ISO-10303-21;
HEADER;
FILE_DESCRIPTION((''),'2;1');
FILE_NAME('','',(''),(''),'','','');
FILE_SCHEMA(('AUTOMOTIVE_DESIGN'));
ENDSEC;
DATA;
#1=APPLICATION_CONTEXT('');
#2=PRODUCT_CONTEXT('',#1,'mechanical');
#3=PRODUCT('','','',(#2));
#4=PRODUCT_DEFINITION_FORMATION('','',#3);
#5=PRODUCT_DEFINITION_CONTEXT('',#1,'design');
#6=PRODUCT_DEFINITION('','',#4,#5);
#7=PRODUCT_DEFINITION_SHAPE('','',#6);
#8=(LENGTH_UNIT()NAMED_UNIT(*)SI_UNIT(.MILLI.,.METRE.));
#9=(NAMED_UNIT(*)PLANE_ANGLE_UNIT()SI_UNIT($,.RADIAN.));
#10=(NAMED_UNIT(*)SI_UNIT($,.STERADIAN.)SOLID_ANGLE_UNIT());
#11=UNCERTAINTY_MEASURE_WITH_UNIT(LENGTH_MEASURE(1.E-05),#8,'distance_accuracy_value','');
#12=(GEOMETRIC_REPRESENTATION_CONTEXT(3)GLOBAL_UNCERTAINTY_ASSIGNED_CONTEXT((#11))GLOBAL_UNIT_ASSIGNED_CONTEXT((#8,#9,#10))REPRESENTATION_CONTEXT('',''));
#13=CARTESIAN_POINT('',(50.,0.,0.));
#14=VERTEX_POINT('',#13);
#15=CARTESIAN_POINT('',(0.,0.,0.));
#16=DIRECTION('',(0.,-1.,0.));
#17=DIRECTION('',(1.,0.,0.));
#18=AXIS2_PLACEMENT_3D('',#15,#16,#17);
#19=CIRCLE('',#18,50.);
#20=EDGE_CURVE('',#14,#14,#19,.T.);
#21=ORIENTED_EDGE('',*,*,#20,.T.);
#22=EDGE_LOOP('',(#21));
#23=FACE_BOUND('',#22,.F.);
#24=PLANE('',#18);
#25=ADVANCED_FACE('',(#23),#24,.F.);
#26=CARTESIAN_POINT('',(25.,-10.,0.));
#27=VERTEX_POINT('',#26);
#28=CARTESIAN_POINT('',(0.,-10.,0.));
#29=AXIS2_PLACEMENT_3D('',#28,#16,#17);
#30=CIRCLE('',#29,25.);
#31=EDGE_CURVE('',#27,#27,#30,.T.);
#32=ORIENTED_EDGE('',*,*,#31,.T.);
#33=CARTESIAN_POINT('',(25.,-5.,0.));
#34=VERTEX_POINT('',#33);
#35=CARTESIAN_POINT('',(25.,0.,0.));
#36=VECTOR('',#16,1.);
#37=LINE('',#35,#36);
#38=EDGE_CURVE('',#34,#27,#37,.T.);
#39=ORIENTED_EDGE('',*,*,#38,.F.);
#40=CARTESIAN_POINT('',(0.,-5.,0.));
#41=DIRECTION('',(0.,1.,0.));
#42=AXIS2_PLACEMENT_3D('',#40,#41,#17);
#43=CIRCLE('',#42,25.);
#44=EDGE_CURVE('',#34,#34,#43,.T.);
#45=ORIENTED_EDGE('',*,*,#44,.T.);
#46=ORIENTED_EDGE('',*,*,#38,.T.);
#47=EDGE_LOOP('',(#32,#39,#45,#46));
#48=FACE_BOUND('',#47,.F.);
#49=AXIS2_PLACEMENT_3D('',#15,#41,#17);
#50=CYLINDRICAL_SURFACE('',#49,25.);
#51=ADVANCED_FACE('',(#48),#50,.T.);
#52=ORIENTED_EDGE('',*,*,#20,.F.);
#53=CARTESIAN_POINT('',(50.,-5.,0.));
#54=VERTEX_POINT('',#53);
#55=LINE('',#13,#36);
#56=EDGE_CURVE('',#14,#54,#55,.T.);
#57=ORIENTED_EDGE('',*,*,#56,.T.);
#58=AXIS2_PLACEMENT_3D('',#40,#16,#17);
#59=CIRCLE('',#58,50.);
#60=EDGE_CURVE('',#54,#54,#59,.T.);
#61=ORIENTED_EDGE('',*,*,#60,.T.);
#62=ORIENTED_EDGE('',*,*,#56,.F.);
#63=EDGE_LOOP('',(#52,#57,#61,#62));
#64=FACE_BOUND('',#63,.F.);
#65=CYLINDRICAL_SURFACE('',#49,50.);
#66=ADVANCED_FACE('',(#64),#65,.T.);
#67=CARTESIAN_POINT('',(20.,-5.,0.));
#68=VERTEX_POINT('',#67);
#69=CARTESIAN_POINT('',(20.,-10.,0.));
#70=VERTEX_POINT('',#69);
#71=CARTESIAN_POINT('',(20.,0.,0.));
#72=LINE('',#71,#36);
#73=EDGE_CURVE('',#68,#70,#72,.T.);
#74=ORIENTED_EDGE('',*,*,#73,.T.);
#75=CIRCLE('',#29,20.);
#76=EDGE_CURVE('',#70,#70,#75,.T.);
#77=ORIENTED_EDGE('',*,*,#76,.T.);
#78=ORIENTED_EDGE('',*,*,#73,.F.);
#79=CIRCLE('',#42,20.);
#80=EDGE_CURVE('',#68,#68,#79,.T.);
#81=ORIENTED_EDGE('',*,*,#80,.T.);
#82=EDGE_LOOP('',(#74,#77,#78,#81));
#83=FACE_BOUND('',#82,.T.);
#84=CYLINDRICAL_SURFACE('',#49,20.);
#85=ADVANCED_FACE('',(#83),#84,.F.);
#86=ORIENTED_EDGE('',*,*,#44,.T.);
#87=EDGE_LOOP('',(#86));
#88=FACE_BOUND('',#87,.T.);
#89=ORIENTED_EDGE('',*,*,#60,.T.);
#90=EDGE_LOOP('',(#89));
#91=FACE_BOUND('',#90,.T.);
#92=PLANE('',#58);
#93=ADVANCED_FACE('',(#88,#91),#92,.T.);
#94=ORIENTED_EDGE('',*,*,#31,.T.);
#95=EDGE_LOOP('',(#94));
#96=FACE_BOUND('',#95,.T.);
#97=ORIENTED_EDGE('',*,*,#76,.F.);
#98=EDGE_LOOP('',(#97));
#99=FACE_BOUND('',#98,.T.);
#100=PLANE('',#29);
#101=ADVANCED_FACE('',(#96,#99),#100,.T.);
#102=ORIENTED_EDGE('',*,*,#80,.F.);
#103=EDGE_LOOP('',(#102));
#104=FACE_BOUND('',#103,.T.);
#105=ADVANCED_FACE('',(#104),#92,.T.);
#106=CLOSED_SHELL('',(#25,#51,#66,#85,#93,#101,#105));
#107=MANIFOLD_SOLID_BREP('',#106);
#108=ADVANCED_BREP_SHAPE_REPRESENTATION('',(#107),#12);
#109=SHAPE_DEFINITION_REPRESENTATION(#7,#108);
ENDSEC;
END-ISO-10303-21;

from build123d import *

# Parameters (mm, degrees)
F0_R     = 50
F0_R_2   = 25
F0_R_3   = 20
F1_DEPTH = 5
F2_DEPTH = 10


with BuildPart() as f1:
    # F0 (on Front) → F1 (new body)
    with BuildSketch(Plane.XZ):
        Circle(F0_R)
        Circle(F0_R_2, mode=Mode.SUBTRACT)
        Circle(F0_R_2)
        Circle(F0_R_3, mode=Mode.SUBTRACT)
        Circle(F0_R_3)
    extrude(amount=F1_DEPTH)

    # F0 (on Front) → F2 (join)
    with BuildSketch(Plane.XZ):
        Circle(F0_R_2)
        Circle(F0_R_3, mode=Mode.SUBTRACT)
    extrude(amount=F2_DEPTH)


solid = f1.part
